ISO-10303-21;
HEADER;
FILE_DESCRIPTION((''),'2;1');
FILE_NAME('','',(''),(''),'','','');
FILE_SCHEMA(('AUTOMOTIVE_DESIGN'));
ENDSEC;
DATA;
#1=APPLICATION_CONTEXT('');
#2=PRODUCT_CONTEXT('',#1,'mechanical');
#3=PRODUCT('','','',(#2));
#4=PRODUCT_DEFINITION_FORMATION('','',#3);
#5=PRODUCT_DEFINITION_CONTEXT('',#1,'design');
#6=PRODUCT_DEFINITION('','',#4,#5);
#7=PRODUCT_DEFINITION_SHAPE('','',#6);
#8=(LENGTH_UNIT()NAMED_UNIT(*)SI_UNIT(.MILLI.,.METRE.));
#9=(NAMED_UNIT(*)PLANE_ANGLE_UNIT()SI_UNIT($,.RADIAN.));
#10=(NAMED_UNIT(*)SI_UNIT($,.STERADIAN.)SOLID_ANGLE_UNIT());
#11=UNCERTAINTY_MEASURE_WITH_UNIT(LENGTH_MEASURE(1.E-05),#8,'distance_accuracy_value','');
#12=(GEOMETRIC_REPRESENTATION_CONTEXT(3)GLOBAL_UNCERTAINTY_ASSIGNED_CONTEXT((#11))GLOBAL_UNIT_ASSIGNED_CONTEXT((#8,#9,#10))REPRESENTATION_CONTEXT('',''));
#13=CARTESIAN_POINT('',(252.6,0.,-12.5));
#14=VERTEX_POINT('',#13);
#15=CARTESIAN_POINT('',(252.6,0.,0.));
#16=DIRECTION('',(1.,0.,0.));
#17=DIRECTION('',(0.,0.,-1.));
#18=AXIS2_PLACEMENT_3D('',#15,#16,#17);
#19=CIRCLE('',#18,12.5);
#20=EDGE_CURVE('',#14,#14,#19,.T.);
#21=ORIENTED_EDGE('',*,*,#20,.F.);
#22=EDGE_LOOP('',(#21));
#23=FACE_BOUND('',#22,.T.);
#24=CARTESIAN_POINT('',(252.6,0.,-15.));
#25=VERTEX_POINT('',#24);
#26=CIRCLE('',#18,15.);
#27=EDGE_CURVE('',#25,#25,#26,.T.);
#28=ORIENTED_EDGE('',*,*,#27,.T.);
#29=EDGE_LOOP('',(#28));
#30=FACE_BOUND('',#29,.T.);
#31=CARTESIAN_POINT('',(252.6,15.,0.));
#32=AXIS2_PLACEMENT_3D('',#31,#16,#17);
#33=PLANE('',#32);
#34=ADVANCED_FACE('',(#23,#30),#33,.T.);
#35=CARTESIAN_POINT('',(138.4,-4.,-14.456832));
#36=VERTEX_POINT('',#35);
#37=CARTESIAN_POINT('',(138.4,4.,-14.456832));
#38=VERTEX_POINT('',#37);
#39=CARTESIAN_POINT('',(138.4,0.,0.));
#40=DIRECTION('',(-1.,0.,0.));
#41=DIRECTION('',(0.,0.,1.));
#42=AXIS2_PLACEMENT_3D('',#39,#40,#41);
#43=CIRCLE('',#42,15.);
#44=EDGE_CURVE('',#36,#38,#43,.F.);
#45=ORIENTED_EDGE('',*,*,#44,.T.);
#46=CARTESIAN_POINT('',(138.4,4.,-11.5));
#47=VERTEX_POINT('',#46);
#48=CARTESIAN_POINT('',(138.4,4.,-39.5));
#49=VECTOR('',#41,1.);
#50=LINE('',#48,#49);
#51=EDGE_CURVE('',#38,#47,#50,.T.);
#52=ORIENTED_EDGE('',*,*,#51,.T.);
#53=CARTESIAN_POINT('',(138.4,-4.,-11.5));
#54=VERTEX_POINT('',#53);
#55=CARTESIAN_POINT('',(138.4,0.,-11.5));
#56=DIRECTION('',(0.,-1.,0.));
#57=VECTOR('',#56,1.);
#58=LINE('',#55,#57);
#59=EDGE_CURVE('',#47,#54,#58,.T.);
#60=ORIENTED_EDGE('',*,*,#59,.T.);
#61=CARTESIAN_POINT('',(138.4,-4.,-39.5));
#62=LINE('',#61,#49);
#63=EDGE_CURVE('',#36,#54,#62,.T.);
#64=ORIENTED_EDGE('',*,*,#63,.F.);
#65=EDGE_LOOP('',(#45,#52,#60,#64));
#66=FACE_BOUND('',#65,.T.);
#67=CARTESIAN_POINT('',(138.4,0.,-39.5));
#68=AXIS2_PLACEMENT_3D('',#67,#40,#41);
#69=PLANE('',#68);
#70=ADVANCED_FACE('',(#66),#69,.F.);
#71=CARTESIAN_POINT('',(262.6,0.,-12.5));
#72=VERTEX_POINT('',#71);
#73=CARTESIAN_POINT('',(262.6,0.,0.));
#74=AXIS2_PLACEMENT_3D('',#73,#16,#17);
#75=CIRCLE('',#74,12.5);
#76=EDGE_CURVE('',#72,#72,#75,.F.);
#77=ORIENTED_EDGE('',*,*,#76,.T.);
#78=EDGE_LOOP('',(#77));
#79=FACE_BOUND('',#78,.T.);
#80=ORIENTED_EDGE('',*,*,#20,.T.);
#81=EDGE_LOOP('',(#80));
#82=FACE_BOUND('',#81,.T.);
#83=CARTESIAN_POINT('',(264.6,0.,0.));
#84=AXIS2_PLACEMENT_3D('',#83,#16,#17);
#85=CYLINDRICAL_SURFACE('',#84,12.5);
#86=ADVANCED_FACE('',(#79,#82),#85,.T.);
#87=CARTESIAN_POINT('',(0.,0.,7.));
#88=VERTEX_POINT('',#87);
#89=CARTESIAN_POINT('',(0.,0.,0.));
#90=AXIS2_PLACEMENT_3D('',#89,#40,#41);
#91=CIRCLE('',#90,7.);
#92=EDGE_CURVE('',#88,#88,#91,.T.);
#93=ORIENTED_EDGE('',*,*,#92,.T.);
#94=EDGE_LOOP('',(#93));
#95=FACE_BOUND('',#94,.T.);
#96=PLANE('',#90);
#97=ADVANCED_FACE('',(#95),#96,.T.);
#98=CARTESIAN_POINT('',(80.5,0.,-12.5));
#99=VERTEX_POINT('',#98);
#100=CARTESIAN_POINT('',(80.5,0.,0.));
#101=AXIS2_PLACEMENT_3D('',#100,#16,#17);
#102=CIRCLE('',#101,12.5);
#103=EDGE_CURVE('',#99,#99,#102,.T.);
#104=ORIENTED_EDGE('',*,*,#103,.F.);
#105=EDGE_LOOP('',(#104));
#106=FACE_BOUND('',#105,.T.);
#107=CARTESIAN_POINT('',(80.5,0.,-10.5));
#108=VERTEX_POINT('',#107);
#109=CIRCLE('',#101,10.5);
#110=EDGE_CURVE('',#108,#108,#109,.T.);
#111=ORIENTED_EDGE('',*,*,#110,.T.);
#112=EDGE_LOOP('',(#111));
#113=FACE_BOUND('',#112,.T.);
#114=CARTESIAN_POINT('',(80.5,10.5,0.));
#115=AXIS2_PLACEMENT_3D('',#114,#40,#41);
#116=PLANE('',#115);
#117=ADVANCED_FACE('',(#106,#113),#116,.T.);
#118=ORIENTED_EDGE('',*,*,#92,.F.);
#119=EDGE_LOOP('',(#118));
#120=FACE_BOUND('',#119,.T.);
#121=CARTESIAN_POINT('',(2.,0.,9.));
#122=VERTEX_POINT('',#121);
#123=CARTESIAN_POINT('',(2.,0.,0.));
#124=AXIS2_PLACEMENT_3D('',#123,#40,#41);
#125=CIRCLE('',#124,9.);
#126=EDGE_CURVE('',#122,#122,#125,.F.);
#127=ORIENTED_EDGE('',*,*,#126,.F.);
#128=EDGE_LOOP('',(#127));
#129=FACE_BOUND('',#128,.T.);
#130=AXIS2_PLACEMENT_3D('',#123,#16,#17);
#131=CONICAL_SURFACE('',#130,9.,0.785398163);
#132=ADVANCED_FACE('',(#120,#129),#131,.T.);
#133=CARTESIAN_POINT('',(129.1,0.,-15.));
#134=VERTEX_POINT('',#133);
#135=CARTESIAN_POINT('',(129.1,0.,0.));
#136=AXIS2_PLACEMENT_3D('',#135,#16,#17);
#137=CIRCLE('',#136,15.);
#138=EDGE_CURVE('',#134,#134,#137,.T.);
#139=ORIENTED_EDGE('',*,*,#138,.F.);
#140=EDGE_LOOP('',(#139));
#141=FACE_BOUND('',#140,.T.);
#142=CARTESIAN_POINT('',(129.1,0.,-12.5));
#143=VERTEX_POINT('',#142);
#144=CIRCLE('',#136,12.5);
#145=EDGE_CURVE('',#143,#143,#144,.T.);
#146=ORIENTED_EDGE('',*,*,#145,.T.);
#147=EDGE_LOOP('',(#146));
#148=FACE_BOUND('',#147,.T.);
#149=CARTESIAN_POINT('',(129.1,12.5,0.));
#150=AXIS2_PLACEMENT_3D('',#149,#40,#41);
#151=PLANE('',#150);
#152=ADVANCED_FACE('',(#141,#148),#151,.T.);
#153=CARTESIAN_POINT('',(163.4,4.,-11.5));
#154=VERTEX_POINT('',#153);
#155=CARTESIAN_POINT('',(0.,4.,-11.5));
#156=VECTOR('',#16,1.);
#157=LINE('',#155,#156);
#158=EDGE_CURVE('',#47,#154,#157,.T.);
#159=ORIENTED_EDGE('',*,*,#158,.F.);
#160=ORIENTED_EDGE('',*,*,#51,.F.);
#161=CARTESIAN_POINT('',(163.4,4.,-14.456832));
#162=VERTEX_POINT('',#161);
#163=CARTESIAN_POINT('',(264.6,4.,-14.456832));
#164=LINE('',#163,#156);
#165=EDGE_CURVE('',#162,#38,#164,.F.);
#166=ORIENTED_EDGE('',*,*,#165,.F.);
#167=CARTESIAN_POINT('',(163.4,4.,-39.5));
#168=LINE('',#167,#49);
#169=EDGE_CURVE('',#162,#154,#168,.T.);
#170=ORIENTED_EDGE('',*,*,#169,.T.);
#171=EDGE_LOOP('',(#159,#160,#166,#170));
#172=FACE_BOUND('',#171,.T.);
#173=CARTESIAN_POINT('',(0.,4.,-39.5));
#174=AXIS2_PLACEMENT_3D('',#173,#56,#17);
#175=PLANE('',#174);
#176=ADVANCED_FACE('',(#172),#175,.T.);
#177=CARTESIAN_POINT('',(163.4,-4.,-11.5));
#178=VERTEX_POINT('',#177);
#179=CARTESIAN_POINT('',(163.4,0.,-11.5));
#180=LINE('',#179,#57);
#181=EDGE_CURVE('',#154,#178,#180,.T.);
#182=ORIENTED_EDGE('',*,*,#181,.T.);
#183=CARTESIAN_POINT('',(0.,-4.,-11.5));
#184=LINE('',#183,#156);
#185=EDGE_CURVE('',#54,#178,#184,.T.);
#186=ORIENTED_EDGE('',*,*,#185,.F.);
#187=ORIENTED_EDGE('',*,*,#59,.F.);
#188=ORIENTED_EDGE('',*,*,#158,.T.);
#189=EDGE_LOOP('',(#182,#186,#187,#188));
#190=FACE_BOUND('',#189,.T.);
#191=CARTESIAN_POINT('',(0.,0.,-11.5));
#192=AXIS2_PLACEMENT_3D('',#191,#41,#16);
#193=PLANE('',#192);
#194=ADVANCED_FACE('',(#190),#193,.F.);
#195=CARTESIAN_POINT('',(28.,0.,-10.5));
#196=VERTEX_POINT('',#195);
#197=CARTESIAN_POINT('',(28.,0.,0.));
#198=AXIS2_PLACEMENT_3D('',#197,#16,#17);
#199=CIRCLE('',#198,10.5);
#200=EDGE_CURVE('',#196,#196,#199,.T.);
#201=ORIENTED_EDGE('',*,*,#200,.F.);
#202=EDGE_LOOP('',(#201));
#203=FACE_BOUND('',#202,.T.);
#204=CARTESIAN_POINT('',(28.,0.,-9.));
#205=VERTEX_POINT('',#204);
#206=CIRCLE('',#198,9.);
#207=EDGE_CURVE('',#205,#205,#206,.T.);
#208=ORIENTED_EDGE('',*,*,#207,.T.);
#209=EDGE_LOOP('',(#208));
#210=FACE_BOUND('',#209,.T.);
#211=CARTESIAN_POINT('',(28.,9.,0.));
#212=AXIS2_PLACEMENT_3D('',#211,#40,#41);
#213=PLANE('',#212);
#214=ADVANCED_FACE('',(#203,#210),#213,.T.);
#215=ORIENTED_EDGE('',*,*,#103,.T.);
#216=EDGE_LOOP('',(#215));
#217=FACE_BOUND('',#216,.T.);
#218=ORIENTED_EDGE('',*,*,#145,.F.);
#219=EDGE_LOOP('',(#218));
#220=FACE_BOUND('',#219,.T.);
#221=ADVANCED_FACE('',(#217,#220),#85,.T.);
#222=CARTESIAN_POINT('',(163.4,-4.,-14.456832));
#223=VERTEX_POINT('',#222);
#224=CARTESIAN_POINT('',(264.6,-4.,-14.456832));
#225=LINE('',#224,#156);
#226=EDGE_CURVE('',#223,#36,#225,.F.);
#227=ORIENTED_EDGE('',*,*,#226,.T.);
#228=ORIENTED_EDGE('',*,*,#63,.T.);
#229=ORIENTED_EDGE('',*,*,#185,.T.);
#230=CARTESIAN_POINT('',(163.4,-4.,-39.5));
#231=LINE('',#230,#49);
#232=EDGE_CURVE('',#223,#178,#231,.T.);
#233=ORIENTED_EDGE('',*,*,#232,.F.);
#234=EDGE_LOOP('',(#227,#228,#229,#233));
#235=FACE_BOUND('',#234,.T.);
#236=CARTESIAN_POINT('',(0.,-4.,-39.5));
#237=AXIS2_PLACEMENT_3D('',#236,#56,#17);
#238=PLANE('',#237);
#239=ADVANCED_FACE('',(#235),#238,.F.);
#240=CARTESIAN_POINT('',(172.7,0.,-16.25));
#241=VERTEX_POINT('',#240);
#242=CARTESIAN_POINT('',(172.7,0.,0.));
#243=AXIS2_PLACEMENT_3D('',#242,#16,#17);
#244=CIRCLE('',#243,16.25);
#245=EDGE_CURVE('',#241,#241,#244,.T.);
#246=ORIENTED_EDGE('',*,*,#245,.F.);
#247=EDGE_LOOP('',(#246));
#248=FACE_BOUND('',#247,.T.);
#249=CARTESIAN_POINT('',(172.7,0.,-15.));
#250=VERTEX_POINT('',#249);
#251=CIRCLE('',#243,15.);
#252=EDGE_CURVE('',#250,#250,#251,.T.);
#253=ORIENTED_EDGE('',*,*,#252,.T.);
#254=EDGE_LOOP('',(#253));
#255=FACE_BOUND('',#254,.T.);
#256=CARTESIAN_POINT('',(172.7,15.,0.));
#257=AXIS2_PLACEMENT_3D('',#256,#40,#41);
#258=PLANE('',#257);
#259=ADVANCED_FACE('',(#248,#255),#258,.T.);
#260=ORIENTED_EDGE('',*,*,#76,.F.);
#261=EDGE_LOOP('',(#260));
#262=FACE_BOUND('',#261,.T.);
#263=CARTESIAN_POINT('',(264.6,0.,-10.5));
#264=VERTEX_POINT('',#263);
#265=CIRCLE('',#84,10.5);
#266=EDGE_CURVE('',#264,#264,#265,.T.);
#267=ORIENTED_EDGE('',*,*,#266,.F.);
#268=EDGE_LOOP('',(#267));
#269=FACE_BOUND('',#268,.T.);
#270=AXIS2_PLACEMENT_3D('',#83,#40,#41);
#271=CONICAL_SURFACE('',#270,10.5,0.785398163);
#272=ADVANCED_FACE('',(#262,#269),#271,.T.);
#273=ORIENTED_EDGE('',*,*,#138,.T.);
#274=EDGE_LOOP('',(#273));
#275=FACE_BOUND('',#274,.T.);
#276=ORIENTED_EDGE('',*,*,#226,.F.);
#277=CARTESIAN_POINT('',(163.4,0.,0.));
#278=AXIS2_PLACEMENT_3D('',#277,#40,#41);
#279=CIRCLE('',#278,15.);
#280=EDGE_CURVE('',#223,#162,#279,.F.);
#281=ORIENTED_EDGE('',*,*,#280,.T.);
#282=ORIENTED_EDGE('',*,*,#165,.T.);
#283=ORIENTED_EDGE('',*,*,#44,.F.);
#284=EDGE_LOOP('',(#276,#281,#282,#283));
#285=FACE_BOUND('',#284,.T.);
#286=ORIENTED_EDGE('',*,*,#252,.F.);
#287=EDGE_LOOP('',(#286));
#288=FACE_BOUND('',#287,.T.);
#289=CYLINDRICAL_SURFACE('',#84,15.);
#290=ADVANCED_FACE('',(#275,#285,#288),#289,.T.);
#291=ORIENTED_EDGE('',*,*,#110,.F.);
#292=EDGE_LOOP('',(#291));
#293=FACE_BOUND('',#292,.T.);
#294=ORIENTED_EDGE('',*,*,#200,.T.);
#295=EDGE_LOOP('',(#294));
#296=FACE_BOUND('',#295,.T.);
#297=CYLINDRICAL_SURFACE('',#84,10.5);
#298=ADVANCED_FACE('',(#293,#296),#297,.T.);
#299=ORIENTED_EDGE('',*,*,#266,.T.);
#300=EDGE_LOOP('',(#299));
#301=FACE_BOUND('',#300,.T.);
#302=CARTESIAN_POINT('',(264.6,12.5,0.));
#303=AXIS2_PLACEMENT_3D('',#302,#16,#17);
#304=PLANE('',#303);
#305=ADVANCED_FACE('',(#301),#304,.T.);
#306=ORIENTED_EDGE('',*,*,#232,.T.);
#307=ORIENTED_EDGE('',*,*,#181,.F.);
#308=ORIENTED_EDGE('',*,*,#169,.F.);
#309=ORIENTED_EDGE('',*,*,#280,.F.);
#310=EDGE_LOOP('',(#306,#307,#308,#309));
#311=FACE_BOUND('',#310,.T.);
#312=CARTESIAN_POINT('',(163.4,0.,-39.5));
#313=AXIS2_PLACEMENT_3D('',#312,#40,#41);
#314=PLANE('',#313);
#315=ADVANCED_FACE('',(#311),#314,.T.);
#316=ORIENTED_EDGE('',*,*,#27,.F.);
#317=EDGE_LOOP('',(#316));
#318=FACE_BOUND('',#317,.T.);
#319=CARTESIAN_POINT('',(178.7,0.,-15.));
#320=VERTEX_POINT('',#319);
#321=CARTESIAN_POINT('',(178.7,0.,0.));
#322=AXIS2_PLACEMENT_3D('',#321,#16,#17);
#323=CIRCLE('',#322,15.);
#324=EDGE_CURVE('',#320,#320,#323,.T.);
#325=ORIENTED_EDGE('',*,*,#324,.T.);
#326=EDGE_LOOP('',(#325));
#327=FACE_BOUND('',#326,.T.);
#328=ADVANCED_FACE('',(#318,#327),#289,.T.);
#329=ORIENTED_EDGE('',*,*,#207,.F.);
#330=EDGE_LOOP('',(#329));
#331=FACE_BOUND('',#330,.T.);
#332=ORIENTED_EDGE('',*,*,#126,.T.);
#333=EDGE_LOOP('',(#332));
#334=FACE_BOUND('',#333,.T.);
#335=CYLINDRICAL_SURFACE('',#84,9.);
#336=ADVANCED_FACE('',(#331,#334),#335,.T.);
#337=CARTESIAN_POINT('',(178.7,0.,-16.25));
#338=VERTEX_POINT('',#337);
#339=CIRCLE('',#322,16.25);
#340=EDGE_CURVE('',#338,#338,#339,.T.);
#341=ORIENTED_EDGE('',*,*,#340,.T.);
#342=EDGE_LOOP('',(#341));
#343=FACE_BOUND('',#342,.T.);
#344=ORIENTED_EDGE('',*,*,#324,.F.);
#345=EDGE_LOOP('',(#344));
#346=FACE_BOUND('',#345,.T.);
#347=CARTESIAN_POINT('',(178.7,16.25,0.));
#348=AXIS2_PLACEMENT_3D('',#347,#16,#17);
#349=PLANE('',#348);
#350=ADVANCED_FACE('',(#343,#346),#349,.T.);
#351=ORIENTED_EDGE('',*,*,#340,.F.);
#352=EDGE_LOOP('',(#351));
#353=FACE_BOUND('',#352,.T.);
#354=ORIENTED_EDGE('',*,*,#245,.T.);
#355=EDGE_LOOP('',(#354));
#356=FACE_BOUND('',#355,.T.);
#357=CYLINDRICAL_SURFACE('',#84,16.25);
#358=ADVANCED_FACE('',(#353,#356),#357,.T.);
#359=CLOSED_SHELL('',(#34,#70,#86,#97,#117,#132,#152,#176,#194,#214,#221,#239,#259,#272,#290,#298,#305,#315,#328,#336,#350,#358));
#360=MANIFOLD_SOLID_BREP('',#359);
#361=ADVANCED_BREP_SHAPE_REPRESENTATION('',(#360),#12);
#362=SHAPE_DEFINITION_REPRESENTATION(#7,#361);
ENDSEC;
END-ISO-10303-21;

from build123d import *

# Parameters (mm, degrees)
CHAMFER_1_SIZE      = 2
CUT_EXTRUDE_START   = -11.5
SKETCH_2_W          = 25
SKETCH_2_H          = 4
CUT_EXTRUDE_1_DEPTH = 28


with BuildPart() as part:
    # 草图1 → 旋转1 (revolve)
    with BuildSketch(Plane.XY, mode=Mode.PRIVATE) as revolve_1_sk:
        Polygon((0, 0), (0, 9), (28, 9), (28, 10.5), (80.5, 10.5), (80.5, 12.5), (129.1, 12.5), (129.1, 15), (172.7, 15), (172.7, 16.25), (178.7, 16.25), (178.7, 15), (252.6, 15), (252.6, 12.5), (264.6, 12.5), (264.6, 0), align=None)
    revolve(revolve_1_sk.sketch.rotate(Axis((264.6, 0, 0), (-1, 0, 0)), 90), axis=Axis((264.6, 0, 0), (-1, 0, 0)))

    # 倒角1
    chamfer_1_edges = [part.edges().sort_by_distance(p)[0] for p in [
        (264.6, 0, 12.5),
        (0, 0, 9),
    ]]
    chamfer(chamfer_1_edges, length=CHAMFER_1_SIZE)

    # 草图2 → 切除-拉伸1 (cut)
    with BuildSketch(Plane.XY.offset(CUT_EXTRUDE_START)):
        with Locations((150.9, -2)):
            Rectangle(SKETCH_2_W, SKETCH_2_H)
        with Locations((150.9, 2)):
            Rectangle(SKETCH_2_W, SKETCH_2_H)
    extrude(amount=-CUT_EXTRUDE_1_DEPTH, mode=Mode.SUBTRACT)


solid = part.part
